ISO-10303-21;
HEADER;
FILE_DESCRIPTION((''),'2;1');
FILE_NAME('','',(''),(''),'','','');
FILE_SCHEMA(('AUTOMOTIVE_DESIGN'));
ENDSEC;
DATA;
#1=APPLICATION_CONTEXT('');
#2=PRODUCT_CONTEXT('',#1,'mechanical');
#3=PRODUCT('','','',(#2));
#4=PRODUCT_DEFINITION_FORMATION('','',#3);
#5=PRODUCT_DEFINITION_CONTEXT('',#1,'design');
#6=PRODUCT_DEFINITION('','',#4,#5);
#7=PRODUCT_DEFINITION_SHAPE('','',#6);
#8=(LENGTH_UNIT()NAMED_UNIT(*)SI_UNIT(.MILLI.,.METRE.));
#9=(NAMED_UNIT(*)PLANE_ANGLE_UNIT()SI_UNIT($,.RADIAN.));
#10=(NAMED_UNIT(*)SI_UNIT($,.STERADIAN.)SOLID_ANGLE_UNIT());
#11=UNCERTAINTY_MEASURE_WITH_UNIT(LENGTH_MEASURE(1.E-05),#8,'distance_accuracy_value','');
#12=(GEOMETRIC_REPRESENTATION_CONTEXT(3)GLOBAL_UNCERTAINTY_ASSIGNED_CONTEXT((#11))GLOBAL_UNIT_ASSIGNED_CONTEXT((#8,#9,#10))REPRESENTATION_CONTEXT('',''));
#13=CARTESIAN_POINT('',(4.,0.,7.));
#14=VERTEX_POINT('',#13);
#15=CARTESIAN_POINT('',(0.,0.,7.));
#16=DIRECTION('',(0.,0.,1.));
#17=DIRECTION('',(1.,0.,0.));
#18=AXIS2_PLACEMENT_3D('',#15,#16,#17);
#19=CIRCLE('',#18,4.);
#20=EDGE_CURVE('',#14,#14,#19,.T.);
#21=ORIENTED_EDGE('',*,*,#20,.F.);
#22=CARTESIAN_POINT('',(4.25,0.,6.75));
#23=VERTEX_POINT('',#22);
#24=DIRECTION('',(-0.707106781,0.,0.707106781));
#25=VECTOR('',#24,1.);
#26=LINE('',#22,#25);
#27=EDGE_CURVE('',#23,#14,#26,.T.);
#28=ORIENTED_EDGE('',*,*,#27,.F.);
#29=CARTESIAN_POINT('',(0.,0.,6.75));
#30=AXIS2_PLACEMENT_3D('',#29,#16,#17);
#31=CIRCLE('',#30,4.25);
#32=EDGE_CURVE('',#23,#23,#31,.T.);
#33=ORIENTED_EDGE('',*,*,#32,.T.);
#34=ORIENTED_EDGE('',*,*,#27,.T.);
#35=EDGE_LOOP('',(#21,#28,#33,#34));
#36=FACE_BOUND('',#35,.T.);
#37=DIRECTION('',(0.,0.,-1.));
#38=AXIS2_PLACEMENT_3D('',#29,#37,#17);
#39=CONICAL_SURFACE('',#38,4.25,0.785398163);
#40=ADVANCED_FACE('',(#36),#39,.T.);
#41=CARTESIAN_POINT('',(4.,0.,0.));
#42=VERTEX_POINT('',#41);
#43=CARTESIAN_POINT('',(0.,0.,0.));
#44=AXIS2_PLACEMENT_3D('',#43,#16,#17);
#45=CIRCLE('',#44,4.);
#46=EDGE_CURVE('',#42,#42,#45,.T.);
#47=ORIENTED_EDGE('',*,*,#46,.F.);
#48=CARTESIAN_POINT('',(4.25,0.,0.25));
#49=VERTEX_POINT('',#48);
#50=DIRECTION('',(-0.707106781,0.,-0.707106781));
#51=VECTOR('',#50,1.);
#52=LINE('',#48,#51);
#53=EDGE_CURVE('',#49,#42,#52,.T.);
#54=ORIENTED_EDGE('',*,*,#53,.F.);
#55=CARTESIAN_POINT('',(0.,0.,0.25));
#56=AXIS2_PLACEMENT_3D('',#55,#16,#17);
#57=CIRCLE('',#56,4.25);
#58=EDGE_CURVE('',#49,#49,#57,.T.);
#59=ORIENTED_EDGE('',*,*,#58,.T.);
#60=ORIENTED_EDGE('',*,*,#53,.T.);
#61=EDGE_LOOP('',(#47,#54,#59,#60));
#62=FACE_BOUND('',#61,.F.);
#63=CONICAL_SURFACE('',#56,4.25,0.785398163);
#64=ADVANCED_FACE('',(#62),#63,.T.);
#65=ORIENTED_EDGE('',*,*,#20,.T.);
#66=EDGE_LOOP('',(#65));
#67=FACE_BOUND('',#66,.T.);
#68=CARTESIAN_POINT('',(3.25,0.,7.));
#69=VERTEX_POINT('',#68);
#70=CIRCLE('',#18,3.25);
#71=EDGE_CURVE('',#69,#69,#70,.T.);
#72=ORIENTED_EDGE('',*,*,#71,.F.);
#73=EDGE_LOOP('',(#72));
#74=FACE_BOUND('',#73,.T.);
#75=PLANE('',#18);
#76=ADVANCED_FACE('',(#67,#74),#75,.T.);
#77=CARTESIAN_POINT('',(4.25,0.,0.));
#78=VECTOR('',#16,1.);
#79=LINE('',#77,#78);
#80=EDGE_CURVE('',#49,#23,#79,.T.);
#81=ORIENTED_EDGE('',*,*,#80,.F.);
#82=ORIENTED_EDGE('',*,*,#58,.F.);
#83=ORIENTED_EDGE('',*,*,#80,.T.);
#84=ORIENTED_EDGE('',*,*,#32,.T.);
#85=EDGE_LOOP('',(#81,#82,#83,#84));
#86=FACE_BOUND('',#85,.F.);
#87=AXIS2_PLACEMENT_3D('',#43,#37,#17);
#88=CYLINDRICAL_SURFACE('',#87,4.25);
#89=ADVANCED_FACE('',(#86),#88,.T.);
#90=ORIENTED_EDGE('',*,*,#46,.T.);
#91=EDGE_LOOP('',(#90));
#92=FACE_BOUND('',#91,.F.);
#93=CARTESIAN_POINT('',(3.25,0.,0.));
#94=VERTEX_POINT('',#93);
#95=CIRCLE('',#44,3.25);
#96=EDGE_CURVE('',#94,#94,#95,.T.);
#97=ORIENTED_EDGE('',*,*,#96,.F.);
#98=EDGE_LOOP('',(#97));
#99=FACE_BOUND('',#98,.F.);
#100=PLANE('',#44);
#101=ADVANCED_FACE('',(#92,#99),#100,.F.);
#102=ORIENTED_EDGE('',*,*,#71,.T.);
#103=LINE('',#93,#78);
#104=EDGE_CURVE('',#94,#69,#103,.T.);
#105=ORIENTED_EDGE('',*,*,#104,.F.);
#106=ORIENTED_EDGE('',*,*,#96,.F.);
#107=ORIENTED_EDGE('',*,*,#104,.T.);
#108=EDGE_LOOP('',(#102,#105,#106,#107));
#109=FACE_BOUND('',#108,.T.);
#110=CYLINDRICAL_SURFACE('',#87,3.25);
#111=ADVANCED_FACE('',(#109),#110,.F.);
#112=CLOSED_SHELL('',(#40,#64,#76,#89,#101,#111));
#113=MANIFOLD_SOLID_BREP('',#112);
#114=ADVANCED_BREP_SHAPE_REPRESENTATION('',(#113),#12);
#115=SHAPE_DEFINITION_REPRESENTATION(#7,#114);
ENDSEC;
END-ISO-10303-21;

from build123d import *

# Parameters (mm, degrees)
SKETCH_R     = 4.25
SKETCH_R_2   = 3.25
PAD_DEPTH    = 7
CHAMFER_SIZE = 0.25


with BuildPart() as part:
    # Sketch → Pad (new body)
    with BuildSketch(Plane.XY):
        Circle(SKETCH_R)
        Circle(SKETCH_R_2, mode=Mode.SUBTRACT)
    extrude(amount=PAD_DEPTH)

    # Chamfer
    chamfer_edges = [part.edges().sort_by_distance(p)[0] for p in [
        (-4.25, 0, 7),
        (-4.25, 0, 0),
    ]]
    chamfer(chamfer_edges, length=CHAMFER_SIZE)


solid = part.part
